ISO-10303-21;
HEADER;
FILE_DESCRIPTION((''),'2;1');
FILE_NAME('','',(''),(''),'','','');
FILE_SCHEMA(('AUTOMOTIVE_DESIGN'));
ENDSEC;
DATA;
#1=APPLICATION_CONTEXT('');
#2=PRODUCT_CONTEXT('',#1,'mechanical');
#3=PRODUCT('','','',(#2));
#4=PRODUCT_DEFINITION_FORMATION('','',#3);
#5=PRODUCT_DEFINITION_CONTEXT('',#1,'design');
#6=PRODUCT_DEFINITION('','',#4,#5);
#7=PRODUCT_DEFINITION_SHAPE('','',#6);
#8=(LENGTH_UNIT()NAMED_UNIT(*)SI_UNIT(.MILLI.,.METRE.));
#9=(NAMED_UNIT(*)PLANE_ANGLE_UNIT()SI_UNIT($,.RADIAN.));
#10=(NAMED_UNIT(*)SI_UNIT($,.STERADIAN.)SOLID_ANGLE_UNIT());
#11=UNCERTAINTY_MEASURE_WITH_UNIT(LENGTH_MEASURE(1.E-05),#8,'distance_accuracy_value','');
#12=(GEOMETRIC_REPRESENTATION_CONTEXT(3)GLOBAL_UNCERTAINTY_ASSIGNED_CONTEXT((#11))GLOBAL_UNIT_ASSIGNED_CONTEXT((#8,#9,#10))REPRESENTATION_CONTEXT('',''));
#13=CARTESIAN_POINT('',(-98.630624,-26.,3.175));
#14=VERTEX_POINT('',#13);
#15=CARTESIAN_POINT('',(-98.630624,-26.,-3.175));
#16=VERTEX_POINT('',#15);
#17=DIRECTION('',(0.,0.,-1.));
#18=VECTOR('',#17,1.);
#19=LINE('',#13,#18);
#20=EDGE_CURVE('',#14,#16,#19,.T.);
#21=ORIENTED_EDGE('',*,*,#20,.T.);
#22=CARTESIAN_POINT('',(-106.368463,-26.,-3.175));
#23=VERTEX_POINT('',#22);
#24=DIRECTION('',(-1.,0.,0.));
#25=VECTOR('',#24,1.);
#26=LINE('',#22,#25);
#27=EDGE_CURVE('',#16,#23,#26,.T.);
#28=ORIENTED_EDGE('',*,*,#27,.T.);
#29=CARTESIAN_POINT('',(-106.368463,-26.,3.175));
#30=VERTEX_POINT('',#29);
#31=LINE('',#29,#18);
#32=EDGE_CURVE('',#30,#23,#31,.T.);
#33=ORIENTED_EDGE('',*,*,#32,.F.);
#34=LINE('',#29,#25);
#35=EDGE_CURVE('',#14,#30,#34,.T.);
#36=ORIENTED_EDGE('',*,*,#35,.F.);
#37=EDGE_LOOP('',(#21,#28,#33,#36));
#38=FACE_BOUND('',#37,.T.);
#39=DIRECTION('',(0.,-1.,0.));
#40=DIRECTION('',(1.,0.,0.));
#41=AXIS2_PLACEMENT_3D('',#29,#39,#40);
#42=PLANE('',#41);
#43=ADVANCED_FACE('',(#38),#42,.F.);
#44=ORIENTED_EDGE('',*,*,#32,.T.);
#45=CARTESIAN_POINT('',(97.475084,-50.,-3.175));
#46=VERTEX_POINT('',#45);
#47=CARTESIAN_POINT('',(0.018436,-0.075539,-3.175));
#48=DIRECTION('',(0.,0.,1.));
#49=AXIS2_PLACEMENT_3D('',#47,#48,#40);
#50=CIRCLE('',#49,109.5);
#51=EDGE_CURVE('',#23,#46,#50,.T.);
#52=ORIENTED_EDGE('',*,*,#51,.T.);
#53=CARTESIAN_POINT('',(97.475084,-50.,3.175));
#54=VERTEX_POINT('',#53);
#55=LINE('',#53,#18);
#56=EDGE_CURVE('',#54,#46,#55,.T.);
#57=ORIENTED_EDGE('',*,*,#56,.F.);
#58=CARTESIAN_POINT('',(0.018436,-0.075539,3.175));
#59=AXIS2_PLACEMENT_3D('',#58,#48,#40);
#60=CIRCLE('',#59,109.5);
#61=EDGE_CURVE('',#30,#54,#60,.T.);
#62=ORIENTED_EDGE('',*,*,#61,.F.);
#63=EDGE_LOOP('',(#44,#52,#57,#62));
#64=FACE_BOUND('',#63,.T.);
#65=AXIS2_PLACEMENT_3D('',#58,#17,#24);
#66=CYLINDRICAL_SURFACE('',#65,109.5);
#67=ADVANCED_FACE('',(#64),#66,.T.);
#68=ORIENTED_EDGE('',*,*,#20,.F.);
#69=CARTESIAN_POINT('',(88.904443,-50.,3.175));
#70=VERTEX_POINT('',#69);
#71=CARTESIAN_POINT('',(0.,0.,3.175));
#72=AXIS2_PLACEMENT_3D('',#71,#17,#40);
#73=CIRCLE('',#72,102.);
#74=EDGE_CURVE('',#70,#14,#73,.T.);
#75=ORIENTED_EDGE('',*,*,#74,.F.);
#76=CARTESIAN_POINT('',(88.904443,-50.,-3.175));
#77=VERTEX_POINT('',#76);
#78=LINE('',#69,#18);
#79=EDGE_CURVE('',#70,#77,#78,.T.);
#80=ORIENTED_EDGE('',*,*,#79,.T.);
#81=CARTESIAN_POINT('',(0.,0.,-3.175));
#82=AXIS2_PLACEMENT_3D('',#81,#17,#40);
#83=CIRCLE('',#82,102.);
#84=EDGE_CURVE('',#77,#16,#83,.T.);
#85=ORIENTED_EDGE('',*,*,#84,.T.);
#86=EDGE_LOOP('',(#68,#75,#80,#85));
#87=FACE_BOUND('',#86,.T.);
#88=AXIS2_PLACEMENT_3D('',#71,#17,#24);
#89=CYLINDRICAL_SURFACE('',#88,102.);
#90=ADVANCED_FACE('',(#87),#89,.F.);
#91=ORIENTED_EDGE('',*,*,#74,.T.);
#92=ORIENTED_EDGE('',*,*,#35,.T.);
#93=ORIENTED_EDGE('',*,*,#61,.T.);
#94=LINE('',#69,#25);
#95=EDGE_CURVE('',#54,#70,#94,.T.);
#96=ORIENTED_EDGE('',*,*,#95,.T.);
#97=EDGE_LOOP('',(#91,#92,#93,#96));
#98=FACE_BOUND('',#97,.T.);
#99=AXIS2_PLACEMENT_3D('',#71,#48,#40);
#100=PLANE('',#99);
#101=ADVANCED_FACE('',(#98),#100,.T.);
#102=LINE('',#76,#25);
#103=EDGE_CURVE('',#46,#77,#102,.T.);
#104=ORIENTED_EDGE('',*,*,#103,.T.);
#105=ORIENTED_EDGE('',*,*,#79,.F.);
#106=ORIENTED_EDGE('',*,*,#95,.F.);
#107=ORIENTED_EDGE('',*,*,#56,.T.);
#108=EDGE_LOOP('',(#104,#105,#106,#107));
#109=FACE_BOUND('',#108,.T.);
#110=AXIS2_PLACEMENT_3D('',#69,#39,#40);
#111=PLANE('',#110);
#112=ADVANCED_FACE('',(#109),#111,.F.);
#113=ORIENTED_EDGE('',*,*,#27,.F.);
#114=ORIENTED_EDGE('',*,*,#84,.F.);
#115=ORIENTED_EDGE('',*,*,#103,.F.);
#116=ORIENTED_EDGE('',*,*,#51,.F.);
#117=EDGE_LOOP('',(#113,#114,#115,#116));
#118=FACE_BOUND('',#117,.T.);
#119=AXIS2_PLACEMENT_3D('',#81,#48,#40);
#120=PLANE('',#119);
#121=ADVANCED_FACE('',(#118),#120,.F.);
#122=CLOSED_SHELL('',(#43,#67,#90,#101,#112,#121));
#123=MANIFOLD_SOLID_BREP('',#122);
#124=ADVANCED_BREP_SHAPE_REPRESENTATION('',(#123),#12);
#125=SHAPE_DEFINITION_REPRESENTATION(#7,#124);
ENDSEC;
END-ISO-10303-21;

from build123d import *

# Parameters (mm, degrees)
BOSS_EXTRUDE1_DEPTH = 3.175


with BuildPart() as part:
    # Sketch1 → Boss-Extrude1 (new, symmetric)
    with BuildSketch(Plane.XY):
        with BuildLine():
            Line((88.904443084, -50), (97.475083722, -50))
            ThreePointArc((97.475083722, -50), (-12.7853662, -108.824390435), (-106.368463371, -26))
            Line((-106.368463371, -26), (-98.630624048, -26))
            ThreePointArc((-98.630624048, -26), (-12.947959261, -101.174850388), (88.904443084, -50))
        make_face()
    extrude(amount=BOSS_EXTRUDE1_DEPTH, both=True)


solid = part.part
